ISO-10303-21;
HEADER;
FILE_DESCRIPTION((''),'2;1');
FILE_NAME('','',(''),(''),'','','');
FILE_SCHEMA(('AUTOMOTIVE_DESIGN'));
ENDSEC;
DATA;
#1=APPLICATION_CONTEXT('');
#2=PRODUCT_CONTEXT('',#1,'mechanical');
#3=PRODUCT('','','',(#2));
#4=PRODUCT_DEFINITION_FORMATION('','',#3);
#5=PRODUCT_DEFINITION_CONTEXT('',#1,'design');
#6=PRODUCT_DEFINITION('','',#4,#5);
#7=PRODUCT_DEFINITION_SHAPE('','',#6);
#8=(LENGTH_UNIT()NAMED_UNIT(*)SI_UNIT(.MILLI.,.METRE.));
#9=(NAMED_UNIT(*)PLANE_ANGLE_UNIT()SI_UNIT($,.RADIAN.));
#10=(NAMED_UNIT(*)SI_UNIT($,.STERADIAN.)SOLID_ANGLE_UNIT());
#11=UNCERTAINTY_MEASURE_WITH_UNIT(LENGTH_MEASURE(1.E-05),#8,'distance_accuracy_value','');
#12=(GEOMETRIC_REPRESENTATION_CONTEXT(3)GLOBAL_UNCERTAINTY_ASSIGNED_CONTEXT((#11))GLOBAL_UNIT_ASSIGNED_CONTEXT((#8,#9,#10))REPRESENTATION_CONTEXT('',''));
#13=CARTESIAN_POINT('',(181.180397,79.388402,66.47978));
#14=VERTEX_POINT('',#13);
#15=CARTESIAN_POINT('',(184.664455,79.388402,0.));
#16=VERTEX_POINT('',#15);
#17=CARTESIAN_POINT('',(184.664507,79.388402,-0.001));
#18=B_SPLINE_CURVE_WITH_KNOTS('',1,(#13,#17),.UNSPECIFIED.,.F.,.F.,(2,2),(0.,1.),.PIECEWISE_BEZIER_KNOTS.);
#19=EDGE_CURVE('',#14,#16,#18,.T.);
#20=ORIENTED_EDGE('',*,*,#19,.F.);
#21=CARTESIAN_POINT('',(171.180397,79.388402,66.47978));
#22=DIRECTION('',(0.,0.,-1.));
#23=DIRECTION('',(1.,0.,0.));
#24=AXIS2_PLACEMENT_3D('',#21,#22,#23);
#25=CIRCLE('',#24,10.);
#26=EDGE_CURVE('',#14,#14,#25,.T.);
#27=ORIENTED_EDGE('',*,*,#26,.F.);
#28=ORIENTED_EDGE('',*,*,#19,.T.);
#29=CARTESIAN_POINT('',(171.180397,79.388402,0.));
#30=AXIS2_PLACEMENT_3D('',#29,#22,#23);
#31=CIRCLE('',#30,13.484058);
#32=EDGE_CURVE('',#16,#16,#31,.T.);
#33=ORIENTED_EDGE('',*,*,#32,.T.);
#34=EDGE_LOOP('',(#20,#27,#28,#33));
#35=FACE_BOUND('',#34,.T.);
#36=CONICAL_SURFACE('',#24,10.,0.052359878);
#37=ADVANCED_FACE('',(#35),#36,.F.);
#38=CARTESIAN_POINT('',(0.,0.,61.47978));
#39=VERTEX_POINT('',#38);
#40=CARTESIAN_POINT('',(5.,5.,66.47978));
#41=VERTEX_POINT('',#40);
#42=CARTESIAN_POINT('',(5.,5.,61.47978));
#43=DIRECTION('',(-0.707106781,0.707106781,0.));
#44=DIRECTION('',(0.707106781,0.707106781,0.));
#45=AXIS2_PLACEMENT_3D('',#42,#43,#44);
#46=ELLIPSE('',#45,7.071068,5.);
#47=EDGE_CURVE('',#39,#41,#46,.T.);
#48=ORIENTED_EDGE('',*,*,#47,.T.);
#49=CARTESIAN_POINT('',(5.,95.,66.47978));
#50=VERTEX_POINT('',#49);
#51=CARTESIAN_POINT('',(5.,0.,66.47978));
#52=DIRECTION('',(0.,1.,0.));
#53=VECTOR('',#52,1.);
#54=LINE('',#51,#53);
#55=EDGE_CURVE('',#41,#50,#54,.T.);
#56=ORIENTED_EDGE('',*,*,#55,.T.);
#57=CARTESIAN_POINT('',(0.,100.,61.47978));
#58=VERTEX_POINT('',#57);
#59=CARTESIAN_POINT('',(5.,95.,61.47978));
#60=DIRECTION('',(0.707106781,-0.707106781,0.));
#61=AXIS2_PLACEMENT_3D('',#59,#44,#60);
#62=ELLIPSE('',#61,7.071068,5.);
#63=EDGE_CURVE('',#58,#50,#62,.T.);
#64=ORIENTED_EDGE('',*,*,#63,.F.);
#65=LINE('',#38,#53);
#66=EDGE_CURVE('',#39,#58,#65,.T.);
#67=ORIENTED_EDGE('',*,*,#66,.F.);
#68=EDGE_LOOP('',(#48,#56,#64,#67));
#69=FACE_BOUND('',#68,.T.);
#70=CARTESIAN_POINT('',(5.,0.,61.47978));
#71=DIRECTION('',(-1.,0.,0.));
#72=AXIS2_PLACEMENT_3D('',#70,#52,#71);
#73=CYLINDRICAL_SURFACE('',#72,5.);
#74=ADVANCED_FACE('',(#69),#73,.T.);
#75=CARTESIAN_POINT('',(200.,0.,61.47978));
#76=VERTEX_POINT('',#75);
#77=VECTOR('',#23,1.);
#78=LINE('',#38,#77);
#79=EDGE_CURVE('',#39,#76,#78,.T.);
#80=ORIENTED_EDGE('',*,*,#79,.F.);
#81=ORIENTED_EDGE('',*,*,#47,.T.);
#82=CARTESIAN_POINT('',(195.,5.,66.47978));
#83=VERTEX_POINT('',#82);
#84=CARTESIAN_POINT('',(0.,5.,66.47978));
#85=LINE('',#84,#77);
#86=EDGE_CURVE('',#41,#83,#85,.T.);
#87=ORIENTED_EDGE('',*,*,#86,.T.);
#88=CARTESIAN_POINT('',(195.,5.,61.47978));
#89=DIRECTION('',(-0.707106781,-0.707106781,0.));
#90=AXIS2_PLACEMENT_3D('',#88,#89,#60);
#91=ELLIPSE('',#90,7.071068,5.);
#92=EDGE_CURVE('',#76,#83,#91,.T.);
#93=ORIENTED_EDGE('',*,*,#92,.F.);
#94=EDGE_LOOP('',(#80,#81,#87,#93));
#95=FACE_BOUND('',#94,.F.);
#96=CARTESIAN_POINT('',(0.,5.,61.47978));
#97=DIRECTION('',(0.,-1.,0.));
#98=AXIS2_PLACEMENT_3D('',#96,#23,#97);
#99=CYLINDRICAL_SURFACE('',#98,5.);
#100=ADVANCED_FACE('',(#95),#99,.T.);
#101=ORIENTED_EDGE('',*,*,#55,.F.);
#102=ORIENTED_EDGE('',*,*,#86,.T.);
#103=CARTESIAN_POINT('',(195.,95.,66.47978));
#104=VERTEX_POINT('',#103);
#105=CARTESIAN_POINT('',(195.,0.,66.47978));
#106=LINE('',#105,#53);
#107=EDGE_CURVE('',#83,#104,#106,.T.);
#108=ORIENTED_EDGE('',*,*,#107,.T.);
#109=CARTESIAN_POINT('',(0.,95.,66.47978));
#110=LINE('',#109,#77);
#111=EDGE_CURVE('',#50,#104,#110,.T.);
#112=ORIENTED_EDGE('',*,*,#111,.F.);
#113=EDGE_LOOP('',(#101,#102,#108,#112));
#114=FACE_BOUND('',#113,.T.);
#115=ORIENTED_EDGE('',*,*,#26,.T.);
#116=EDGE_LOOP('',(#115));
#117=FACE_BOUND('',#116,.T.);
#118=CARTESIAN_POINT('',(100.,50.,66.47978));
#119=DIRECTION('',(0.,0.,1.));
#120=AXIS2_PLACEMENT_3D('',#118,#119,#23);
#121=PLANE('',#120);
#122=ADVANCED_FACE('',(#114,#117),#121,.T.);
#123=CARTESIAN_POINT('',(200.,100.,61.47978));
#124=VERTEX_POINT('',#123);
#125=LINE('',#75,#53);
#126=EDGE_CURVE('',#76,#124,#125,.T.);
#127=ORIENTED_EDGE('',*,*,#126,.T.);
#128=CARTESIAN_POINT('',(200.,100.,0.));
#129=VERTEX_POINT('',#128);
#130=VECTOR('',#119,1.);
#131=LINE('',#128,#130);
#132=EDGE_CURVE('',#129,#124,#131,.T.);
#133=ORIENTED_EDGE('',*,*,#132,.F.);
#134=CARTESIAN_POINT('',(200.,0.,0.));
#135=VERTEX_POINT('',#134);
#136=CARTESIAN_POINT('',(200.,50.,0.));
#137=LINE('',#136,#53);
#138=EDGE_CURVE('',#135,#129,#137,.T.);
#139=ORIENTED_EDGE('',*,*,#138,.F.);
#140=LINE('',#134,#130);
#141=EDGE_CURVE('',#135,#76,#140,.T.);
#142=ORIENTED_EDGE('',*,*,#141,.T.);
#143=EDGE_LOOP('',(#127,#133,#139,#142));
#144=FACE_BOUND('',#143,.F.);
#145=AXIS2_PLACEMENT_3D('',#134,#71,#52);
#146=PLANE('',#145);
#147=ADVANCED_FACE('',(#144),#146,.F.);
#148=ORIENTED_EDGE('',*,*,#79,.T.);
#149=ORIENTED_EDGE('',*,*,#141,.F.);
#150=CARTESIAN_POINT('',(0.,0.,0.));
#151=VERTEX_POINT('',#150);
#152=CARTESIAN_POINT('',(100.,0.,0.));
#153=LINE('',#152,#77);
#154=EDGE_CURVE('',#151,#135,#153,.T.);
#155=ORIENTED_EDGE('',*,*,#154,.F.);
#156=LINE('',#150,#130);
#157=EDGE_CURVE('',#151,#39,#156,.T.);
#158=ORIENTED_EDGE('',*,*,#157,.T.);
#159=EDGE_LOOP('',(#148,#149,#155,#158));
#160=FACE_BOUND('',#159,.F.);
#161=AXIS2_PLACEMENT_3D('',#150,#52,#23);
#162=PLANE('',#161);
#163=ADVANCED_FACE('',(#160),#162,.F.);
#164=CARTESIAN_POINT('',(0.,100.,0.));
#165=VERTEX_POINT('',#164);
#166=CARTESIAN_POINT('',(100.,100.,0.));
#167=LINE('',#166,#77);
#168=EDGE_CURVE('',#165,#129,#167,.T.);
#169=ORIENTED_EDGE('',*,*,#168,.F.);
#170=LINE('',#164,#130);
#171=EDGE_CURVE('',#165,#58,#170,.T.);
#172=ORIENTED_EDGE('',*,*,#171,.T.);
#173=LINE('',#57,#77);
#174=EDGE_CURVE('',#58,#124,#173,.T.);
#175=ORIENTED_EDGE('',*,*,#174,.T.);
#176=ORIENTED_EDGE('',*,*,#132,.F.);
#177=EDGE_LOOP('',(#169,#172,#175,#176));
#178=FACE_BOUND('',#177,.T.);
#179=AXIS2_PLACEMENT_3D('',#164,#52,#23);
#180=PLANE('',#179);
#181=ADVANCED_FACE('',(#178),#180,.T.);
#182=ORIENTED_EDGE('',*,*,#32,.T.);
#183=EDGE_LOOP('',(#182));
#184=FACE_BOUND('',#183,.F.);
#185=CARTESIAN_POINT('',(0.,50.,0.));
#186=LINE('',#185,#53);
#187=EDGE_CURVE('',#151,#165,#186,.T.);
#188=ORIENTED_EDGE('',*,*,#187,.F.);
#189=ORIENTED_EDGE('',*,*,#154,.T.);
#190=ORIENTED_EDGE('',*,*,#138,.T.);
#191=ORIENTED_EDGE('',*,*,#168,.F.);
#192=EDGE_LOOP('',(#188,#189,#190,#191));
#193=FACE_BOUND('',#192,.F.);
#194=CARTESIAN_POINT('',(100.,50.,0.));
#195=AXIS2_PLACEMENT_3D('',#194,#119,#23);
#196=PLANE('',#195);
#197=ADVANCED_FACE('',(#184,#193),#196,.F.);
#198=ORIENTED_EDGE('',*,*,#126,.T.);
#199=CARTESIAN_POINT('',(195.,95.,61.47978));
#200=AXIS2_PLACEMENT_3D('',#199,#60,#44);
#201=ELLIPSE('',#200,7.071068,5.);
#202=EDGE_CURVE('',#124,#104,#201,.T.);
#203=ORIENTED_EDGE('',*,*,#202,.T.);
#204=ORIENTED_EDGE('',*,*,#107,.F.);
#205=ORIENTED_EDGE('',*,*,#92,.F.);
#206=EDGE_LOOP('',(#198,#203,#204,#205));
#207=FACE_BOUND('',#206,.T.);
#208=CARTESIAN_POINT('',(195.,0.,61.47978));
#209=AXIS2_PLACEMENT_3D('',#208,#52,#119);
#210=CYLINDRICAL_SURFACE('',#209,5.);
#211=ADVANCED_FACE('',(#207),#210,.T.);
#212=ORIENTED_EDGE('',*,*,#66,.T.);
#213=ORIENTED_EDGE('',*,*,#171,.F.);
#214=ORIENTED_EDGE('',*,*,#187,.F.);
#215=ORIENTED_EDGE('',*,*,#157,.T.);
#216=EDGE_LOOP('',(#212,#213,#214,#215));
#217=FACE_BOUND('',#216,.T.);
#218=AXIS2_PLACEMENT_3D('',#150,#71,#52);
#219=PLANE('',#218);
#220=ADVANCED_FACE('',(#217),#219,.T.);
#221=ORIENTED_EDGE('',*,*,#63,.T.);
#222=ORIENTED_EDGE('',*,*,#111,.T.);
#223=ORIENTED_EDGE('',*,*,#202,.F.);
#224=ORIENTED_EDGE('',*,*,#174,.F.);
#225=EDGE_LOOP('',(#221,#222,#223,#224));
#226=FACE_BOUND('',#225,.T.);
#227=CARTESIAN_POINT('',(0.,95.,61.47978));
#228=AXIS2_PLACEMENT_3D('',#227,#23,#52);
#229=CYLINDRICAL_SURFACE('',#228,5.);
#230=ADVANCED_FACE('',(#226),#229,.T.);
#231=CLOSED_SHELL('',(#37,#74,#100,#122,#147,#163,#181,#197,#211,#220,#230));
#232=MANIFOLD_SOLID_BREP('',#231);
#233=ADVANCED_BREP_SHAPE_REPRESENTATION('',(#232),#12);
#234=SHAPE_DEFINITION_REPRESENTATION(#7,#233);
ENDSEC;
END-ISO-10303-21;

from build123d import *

# Parameters (mm, degrees)
F0_W     = 200
F0_H     = 100
F1_DEPTH = 66.47978
F2_R     = 10
F3_DEPTH = 66.48078
F3_TAPER = -3
F4_R     = 5


with BuildPart() as f1:
    # F0 (on Top) → F1 (new body)
    with BuildSketch(Plane.XY):
        with Locations((100, 50)):
            Rectangle(F0_W, F0_H)
    extrude(amount=F1_DEPTH)

    # F2 (on face) → F3 (cut, through all)
    with BuildSketch(Plane.XY.offset(66.47978)):
        with Locations((171.1803972721, 79.3884024024)):
            Circle(F2_R)
    extrude(amount=-F3_DEPTH, taper=F3_TAPER, mode=Mode.SUBTRACT)

    # F4
    f4_edges = [f1.edges().sort_by_distance(p)[0] for p in [
        (100, 100, 66.47978),
        (100, 0, 66.47978),
        (200, 50, 66.47978),
        (0, 50, 66.47978),
    ]]
    fillet(f4_edges, radius=F4_R)


solid = f1.part
